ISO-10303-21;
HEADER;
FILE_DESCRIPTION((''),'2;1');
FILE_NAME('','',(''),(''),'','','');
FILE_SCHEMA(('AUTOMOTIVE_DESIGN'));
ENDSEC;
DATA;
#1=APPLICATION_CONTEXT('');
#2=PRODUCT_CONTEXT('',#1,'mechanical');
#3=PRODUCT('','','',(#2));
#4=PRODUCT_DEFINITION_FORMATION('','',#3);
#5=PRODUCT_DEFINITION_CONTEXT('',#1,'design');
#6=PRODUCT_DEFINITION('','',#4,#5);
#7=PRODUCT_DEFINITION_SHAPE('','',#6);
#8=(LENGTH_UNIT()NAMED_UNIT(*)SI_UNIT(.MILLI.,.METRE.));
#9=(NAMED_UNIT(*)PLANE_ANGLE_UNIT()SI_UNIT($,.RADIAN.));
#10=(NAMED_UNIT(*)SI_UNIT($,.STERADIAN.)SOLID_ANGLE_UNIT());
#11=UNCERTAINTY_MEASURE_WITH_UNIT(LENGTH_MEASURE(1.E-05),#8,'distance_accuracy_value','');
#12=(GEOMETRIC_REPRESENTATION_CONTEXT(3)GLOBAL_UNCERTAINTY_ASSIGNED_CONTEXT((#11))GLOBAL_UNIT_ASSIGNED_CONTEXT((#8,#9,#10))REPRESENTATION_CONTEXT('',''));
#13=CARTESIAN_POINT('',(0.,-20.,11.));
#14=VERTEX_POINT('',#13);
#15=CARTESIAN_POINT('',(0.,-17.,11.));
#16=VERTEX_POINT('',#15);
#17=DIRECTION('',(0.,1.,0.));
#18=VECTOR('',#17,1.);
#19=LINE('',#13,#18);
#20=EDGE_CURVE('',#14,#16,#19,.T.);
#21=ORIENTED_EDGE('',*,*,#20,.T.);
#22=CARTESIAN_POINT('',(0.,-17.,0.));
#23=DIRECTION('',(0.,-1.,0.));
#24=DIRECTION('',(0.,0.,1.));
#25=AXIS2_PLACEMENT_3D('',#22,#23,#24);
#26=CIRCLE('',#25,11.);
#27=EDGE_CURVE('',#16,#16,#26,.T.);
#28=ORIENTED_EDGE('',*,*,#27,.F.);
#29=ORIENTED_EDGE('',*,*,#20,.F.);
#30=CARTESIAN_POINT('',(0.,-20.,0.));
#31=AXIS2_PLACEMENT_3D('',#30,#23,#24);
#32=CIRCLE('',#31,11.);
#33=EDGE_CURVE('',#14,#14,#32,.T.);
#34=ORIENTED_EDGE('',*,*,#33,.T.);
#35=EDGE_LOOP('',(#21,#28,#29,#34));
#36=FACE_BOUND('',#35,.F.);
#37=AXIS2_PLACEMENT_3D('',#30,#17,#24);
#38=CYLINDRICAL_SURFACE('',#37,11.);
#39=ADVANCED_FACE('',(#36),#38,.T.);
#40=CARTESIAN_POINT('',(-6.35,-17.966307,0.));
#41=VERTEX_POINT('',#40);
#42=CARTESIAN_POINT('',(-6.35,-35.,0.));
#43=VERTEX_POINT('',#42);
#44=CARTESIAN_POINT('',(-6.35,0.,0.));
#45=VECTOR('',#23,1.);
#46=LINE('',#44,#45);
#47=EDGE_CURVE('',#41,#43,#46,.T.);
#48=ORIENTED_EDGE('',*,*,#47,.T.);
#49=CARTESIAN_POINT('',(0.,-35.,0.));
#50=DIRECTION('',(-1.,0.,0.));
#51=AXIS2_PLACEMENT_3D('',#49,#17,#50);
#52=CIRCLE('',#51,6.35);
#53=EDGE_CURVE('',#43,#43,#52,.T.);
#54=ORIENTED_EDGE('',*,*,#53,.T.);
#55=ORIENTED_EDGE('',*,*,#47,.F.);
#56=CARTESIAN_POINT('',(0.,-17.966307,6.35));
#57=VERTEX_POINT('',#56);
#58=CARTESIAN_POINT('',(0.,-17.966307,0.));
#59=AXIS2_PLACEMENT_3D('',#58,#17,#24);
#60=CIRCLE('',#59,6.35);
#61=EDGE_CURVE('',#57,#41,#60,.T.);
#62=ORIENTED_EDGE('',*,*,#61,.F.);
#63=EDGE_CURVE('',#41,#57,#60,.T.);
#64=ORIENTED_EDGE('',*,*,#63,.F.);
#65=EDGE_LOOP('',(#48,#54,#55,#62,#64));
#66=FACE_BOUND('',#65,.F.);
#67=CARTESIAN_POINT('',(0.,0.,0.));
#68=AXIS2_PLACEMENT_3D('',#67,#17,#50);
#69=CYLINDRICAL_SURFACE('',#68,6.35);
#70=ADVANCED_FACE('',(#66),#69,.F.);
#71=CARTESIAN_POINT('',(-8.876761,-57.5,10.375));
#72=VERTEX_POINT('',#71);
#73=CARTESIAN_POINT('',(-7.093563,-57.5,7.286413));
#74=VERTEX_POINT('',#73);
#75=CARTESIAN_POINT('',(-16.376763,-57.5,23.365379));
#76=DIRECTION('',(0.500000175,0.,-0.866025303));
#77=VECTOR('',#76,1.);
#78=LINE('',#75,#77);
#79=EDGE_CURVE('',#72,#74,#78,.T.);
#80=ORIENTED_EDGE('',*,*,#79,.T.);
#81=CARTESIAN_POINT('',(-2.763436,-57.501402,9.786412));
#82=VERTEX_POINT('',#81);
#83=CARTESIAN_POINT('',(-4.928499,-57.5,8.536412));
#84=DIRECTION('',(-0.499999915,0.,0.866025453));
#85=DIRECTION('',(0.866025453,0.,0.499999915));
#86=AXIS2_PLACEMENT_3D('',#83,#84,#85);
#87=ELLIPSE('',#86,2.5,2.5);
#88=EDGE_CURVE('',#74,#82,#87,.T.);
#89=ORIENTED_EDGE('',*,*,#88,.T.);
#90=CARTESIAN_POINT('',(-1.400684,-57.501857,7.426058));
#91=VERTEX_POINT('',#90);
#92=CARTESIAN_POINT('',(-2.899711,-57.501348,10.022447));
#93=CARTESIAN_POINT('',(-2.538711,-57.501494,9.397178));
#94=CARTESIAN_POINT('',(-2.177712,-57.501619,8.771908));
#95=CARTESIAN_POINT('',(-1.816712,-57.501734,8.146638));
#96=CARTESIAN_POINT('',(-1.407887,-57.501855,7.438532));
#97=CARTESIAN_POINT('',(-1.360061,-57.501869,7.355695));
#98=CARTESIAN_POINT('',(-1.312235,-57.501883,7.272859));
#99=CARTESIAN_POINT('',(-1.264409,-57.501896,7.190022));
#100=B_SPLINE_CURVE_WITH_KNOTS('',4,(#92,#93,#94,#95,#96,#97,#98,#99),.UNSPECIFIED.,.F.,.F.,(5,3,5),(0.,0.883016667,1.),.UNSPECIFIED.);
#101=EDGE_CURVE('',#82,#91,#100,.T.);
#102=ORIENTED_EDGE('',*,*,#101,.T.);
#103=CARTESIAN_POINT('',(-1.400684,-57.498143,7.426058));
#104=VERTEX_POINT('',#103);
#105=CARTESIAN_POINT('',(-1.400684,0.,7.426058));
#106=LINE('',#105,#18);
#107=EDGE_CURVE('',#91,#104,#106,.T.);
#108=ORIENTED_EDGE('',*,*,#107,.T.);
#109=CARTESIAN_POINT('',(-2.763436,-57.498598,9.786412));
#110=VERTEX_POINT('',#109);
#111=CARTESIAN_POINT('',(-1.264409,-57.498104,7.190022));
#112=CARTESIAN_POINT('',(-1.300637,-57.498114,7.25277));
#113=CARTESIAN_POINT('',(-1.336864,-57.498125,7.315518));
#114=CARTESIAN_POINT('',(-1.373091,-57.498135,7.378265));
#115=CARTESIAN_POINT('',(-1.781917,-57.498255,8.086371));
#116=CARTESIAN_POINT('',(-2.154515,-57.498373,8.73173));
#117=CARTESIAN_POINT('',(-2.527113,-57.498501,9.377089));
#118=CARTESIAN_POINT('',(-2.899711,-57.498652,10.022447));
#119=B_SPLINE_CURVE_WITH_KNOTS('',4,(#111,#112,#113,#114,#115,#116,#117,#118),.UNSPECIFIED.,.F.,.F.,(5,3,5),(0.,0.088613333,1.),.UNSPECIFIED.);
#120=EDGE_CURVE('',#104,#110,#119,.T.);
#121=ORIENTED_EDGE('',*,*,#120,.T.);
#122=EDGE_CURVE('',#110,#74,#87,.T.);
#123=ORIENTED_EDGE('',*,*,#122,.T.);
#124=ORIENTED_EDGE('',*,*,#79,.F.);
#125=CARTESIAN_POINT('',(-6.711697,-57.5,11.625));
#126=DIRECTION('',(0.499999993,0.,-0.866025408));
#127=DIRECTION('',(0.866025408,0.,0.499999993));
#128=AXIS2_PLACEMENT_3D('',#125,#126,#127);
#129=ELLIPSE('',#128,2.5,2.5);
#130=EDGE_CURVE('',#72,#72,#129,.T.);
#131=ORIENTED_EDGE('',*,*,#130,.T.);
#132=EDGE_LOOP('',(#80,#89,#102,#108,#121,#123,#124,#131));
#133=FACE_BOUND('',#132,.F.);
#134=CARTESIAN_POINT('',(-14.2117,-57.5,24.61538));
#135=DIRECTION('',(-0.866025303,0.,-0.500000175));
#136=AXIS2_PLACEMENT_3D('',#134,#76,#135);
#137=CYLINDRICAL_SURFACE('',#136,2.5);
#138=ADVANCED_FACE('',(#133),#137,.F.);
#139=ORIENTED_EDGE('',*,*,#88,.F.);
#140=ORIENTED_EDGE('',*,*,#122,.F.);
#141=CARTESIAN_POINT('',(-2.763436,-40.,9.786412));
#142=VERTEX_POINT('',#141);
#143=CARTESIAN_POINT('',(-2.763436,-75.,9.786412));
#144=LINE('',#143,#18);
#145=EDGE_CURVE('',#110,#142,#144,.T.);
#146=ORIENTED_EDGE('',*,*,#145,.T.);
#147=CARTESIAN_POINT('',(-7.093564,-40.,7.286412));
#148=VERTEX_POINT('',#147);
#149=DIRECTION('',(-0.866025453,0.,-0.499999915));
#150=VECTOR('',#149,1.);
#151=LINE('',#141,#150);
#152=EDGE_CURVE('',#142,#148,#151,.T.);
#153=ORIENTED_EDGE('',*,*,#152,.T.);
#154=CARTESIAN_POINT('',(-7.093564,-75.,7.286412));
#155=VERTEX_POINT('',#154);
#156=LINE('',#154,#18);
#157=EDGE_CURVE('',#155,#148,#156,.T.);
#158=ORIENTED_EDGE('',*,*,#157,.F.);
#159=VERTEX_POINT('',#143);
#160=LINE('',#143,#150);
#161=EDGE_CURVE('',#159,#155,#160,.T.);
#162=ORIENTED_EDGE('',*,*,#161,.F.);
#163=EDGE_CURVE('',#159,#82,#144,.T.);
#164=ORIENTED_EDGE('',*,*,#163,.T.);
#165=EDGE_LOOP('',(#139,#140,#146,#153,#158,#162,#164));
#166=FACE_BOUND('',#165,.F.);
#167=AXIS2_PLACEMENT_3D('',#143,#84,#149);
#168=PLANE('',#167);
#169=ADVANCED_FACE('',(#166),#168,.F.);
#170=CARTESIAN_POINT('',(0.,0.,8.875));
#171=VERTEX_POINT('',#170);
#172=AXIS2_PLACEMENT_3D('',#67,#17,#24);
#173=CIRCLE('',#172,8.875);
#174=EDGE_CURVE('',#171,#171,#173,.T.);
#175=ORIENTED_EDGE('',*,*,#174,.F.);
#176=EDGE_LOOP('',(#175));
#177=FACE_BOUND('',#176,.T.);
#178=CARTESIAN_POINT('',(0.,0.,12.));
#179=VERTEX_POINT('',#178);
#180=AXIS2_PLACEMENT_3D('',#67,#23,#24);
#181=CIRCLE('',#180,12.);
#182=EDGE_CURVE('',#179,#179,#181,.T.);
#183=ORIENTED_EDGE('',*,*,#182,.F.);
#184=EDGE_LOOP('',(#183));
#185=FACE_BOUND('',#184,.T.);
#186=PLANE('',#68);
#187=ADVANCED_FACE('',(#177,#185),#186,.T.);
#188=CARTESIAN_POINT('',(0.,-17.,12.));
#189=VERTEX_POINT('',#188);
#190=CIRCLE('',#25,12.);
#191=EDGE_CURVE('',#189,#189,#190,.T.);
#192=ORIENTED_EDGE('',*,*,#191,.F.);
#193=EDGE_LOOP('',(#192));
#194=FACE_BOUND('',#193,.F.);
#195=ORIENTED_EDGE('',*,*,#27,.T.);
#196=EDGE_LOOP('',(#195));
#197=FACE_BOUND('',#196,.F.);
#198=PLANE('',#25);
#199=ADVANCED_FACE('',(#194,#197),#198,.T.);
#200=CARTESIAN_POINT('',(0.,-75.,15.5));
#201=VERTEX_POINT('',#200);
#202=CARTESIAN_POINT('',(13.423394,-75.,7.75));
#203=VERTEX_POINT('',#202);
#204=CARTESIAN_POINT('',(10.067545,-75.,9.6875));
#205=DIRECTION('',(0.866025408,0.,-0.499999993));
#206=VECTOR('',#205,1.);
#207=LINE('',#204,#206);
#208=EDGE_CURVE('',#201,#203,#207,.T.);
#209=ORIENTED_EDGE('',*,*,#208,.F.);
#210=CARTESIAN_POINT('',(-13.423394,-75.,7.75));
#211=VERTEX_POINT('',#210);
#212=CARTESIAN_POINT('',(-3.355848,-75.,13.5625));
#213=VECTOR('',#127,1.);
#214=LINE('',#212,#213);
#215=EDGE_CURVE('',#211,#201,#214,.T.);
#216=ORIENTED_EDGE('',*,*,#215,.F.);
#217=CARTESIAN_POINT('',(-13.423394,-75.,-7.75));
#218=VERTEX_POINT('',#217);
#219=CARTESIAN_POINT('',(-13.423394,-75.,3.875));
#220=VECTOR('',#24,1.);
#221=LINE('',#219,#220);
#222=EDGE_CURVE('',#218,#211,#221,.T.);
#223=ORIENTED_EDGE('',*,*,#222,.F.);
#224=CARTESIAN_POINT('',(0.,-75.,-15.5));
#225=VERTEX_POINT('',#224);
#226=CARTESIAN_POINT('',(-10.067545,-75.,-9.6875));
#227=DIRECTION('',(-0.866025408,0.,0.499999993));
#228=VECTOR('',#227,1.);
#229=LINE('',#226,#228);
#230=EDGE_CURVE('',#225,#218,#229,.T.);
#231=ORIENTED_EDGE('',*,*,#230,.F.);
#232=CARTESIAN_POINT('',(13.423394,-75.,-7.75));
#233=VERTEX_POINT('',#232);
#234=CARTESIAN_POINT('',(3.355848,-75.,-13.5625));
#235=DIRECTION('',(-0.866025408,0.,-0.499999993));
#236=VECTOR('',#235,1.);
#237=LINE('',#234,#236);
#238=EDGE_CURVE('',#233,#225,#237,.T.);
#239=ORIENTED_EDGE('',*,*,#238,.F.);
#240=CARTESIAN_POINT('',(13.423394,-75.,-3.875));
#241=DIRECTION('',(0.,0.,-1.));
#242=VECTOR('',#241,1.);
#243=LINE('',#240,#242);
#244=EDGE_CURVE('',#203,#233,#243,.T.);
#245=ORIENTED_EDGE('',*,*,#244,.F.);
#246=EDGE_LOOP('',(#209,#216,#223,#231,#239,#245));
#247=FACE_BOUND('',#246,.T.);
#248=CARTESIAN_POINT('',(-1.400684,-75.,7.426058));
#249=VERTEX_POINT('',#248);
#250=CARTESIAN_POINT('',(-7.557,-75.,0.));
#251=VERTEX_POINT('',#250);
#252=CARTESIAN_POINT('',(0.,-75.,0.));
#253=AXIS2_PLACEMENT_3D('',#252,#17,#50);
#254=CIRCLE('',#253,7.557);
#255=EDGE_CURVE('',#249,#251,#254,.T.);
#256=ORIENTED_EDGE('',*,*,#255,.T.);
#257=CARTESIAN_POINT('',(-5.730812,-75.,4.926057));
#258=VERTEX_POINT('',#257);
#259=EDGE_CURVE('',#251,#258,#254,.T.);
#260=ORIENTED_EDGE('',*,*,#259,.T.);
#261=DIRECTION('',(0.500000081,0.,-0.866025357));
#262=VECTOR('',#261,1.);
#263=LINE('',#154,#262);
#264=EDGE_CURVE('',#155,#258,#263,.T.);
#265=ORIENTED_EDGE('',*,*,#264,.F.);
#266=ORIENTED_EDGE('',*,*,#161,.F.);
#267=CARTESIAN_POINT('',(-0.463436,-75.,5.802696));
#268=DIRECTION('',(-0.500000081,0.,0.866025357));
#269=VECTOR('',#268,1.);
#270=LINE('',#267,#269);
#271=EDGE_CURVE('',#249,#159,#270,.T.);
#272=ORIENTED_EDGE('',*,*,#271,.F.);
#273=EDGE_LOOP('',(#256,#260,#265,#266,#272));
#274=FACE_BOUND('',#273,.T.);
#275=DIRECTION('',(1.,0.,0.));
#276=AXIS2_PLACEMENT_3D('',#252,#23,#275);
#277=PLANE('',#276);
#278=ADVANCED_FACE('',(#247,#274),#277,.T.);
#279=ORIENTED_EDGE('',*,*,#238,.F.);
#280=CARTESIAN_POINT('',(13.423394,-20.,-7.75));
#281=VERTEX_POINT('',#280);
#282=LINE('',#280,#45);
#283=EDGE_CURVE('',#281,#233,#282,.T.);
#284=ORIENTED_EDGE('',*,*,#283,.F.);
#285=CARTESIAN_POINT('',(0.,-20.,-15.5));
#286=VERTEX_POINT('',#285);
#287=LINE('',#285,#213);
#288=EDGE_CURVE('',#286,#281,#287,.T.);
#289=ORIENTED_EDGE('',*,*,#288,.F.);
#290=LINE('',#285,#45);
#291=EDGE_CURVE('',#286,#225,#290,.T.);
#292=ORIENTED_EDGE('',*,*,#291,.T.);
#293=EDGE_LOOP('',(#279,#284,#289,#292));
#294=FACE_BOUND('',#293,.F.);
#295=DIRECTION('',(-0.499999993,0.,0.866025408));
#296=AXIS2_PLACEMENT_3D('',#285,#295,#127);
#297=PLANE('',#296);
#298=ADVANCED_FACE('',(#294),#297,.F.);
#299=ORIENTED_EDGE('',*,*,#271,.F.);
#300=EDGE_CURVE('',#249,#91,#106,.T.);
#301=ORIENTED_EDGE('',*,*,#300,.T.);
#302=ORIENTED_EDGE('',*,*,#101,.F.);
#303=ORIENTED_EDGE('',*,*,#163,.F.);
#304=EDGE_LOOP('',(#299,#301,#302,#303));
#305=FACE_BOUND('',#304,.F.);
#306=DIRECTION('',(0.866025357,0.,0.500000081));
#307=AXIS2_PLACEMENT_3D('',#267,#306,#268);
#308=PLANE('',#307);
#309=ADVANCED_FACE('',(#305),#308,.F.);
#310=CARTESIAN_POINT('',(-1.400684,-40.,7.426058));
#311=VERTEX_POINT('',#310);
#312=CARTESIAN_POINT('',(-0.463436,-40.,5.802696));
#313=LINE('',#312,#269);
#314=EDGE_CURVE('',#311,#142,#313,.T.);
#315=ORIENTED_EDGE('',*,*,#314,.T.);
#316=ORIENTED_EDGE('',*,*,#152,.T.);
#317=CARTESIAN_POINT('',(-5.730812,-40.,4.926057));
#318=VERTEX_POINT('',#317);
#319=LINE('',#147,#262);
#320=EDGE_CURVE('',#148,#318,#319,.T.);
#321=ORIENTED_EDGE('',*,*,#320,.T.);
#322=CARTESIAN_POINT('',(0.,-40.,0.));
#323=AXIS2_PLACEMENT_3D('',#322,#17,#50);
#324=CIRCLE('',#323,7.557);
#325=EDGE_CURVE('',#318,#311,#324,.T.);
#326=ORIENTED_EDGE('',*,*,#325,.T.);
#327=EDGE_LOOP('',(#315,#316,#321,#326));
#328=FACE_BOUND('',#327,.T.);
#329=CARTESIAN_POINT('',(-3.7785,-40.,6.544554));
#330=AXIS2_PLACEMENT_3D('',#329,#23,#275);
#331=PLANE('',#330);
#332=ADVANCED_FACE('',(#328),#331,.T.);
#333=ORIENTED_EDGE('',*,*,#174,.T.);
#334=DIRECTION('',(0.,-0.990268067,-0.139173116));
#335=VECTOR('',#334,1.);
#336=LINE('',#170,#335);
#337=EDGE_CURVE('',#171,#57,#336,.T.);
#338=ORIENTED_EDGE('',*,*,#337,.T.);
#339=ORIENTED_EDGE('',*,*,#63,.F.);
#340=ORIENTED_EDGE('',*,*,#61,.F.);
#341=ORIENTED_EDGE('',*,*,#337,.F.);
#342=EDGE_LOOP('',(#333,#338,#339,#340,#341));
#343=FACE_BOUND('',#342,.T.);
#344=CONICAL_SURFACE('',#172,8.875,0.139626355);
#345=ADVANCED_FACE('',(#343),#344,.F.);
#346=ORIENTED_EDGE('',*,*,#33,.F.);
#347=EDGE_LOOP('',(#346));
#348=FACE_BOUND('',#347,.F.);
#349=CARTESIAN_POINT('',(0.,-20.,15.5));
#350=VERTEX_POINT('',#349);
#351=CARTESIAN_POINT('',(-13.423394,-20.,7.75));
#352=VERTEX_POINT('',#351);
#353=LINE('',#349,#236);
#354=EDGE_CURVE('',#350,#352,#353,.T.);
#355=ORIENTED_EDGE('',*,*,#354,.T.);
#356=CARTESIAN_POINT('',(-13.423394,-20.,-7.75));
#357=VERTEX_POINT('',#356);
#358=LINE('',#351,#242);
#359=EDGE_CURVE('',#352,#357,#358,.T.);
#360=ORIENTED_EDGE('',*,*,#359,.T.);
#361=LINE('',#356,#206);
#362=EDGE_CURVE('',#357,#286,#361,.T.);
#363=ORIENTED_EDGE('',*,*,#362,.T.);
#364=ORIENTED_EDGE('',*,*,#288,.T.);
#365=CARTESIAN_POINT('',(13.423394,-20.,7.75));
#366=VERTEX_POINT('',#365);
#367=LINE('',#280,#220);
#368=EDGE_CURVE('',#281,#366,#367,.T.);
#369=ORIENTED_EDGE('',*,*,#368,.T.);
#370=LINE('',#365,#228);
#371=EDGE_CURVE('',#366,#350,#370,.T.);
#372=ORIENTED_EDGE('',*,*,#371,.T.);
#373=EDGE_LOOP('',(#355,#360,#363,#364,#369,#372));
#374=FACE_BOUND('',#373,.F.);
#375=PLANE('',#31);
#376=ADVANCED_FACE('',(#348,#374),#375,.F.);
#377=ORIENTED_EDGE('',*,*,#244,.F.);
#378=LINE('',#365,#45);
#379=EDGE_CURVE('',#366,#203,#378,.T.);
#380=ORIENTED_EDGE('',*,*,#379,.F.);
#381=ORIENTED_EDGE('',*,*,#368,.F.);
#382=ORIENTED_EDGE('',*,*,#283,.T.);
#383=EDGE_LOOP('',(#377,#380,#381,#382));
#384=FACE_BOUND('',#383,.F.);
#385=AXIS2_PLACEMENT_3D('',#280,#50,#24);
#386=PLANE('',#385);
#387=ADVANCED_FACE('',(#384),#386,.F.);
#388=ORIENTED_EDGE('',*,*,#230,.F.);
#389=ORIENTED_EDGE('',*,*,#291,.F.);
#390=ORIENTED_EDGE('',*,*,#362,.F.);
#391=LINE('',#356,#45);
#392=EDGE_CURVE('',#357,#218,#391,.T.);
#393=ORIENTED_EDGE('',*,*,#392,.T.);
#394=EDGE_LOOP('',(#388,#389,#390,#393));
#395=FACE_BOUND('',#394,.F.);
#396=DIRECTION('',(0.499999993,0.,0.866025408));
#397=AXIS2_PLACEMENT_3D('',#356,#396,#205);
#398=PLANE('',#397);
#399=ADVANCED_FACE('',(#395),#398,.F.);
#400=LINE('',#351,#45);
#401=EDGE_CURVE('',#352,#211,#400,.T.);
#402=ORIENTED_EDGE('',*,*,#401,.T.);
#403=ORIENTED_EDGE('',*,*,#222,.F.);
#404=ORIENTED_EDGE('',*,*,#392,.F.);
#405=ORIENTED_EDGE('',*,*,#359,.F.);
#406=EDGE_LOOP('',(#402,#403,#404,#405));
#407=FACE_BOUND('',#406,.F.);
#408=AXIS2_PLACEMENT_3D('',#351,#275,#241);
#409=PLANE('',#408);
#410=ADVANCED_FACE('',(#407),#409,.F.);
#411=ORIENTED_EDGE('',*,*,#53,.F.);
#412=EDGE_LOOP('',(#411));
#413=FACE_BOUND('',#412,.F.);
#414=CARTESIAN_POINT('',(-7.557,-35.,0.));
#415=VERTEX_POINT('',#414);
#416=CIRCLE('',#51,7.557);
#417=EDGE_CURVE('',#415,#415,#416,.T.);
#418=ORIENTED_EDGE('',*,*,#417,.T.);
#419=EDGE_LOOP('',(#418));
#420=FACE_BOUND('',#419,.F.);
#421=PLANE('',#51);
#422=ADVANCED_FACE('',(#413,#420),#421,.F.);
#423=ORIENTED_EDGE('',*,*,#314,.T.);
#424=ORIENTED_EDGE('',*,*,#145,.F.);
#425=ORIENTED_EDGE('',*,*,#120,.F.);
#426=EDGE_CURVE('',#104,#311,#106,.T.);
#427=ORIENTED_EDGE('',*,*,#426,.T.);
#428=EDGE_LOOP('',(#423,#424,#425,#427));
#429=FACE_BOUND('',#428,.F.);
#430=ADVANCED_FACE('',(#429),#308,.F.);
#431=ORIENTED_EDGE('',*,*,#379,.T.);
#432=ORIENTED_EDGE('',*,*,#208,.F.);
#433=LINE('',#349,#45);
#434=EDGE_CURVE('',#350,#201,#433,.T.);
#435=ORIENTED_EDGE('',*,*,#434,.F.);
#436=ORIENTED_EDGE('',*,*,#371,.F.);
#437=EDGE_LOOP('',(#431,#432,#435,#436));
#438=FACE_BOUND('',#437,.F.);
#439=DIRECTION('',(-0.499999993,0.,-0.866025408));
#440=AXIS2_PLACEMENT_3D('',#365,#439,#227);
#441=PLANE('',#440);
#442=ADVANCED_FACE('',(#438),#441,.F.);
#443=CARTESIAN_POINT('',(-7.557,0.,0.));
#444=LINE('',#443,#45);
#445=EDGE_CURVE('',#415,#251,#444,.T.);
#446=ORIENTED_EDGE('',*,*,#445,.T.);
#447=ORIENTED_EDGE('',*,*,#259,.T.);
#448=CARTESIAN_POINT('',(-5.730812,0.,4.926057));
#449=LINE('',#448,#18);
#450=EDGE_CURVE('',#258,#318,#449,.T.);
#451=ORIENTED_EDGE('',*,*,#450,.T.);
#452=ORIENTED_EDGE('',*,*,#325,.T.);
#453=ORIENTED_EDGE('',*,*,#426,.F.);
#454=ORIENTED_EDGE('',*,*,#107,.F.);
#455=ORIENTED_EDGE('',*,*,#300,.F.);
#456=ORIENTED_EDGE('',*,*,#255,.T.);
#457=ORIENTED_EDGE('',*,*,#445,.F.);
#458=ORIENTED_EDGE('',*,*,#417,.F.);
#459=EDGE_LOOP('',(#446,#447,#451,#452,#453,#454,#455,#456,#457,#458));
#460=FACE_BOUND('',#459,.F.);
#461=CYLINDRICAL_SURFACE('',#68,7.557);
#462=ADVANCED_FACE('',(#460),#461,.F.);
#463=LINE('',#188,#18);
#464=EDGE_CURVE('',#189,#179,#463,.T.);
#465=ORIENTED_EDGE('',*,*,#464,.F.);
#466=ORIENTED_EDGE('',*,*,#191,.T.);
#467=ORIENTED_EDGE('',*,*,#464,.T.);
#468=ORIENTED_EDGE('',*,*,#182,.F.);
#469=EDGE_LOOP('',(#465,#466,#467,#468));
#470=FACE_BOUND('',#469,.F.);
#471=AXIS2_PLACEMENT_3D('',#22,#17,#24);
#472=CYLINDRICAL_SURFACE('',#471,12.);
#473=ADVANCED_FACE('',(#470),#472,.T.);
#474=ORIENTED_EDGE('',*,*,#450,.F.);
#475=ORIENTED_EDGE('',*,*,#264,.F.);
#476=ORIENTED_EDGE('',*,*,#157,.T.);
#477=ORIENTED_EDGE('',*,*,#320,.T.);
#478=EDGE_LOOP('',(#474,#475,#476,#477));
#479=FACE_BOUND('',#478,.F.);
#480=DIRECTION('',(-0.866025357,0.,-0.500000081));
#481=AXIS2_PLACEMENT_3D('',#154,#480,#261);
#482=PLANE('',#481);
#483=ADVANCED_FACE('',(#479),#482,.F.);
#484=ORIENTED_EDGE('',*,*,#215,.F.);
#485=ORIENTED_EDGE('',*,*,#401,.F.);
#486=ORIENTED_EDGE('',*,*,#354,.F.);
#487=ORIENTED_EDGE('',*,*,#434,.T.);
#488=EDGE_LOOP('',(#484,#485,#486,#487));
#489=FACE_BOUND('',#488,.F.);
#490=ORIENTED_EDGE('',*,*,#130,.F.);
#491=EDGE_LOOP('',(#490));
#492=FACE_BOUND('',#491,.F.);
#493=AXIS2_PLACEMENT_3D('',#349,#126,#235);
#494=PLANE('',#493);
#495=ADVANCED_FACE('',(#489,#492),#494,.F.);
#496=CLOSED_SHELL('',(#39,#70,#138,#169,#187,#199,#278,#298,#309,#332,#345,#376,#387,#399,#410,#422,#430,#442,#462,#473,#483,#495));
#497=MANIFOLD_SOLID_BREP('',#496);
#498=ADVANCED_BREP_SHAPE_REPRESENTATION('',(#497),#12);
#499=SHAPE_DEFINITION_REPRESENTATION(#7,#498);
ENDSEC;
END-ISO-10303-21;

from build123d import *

# Parameters (mm, degrees)
F0_R      = 15.5
F1_DEPTH  = 75
F4_R      = 25.113735
F5_DEPTH  = 55.001
F6_R      = 7.557
F7_DEPTH  = 75.001
F9_DEPTH  = 35
F10_R     = 7.557
F10_R_2   = 6.35
F11_DEPTH = 35
F13_D     = 5
F13_DEPTH = 15


with BuildPart() as f1:
    # F0 (on Front) → F1 (new body)
    with BuildSketch(Plane.XZ):
        Circle(F0_R)
    extrude(amount=F1_DEPTH)

    # F2 (on Right) → F3 (revolve, cut)
    with BuildSketch(Plane.YZ):
        Polygon((-17, 12), (0, 12), (0, 15.5), (-20, 15.5), (-20, 11), (-17, 11), align=None)
    revolve(axis=Axis((0, -40.473823, 0), (0, -1, 0)), mode=Mode.SUBTRACT)

    # F4 (on face) → F5 (cut, through all)
    with BuildSketch(Plane(origin=(0, -20, 0), x_dir=(-1, 0, 0), z_dir=(0, 1, 0))):
        Circle(F4_R)
        Polygon((-13.423394, 7.75), (0, 15.5), (13.423394, 7.75), (13.423394, -7.75), (0, -15.5), (-13.423394, -7.75), align=None, mode=Mode.SUBTRACT)
    extrude(amount=-F5_DEPTH, mode=Mode.SUBTRACT)

    # F6 (on face) → F7 (cut, through all)
    with BuildSketch(Plane(origin=(0, 0, 0), x_dir=(-1, 0, 0), z_dir=(0, 1, 0))):
        Circle(F6_R)
    extrude(amount=-F7_DEPTH, mode=Mode.SUBTRACT)

    # F8 (on face) → F9 (cut)
    with BuildSketch(Plane.XZ.offset(75)):
        Polygon((-0.463436, 5.802696), (-2.763436, 9.786412), (-7.093564, 7.286412), (-4.793564, 3.302696), align=None)
    extrude(amount=-F9_DEPTH, mode=Mode.SUBTRACT)

    # F10 (on face) → F11 (join)
    with BuildSketch(Plane(origin=(0, 0, 0), x_dir=(-1, 0, 0), z_dir=(0, 1, 0))):
        Circle(F10_R)
        Circle(F10_R_2, mode=Mode.SUBTRACT)
    extrude(amount=-F11_DEPTH)

    # F13
    with Locations(Plane(origin=(-6.711697, 0, 11.625), x_dir=(0.866025, 0, 0.5), z_dir=(-0.5, 0, 0.866025))):
        with Locations((0, -57.5)):
            Hole(F13_D / 2, depth=F13_DEPTH)

    # F14 (on Right) → F15 (revolve, cut)
    with BuildSketch(Plane.YZ):
        Polygon((-20, 0), (0, 0), (0, 8.875), (-20, 6.064183), align=None)
    revolve(axis=Axis((0, -10, 0), (0, 1, 0)), mode=Mode.SUBTRACT)


solid = f1.part
